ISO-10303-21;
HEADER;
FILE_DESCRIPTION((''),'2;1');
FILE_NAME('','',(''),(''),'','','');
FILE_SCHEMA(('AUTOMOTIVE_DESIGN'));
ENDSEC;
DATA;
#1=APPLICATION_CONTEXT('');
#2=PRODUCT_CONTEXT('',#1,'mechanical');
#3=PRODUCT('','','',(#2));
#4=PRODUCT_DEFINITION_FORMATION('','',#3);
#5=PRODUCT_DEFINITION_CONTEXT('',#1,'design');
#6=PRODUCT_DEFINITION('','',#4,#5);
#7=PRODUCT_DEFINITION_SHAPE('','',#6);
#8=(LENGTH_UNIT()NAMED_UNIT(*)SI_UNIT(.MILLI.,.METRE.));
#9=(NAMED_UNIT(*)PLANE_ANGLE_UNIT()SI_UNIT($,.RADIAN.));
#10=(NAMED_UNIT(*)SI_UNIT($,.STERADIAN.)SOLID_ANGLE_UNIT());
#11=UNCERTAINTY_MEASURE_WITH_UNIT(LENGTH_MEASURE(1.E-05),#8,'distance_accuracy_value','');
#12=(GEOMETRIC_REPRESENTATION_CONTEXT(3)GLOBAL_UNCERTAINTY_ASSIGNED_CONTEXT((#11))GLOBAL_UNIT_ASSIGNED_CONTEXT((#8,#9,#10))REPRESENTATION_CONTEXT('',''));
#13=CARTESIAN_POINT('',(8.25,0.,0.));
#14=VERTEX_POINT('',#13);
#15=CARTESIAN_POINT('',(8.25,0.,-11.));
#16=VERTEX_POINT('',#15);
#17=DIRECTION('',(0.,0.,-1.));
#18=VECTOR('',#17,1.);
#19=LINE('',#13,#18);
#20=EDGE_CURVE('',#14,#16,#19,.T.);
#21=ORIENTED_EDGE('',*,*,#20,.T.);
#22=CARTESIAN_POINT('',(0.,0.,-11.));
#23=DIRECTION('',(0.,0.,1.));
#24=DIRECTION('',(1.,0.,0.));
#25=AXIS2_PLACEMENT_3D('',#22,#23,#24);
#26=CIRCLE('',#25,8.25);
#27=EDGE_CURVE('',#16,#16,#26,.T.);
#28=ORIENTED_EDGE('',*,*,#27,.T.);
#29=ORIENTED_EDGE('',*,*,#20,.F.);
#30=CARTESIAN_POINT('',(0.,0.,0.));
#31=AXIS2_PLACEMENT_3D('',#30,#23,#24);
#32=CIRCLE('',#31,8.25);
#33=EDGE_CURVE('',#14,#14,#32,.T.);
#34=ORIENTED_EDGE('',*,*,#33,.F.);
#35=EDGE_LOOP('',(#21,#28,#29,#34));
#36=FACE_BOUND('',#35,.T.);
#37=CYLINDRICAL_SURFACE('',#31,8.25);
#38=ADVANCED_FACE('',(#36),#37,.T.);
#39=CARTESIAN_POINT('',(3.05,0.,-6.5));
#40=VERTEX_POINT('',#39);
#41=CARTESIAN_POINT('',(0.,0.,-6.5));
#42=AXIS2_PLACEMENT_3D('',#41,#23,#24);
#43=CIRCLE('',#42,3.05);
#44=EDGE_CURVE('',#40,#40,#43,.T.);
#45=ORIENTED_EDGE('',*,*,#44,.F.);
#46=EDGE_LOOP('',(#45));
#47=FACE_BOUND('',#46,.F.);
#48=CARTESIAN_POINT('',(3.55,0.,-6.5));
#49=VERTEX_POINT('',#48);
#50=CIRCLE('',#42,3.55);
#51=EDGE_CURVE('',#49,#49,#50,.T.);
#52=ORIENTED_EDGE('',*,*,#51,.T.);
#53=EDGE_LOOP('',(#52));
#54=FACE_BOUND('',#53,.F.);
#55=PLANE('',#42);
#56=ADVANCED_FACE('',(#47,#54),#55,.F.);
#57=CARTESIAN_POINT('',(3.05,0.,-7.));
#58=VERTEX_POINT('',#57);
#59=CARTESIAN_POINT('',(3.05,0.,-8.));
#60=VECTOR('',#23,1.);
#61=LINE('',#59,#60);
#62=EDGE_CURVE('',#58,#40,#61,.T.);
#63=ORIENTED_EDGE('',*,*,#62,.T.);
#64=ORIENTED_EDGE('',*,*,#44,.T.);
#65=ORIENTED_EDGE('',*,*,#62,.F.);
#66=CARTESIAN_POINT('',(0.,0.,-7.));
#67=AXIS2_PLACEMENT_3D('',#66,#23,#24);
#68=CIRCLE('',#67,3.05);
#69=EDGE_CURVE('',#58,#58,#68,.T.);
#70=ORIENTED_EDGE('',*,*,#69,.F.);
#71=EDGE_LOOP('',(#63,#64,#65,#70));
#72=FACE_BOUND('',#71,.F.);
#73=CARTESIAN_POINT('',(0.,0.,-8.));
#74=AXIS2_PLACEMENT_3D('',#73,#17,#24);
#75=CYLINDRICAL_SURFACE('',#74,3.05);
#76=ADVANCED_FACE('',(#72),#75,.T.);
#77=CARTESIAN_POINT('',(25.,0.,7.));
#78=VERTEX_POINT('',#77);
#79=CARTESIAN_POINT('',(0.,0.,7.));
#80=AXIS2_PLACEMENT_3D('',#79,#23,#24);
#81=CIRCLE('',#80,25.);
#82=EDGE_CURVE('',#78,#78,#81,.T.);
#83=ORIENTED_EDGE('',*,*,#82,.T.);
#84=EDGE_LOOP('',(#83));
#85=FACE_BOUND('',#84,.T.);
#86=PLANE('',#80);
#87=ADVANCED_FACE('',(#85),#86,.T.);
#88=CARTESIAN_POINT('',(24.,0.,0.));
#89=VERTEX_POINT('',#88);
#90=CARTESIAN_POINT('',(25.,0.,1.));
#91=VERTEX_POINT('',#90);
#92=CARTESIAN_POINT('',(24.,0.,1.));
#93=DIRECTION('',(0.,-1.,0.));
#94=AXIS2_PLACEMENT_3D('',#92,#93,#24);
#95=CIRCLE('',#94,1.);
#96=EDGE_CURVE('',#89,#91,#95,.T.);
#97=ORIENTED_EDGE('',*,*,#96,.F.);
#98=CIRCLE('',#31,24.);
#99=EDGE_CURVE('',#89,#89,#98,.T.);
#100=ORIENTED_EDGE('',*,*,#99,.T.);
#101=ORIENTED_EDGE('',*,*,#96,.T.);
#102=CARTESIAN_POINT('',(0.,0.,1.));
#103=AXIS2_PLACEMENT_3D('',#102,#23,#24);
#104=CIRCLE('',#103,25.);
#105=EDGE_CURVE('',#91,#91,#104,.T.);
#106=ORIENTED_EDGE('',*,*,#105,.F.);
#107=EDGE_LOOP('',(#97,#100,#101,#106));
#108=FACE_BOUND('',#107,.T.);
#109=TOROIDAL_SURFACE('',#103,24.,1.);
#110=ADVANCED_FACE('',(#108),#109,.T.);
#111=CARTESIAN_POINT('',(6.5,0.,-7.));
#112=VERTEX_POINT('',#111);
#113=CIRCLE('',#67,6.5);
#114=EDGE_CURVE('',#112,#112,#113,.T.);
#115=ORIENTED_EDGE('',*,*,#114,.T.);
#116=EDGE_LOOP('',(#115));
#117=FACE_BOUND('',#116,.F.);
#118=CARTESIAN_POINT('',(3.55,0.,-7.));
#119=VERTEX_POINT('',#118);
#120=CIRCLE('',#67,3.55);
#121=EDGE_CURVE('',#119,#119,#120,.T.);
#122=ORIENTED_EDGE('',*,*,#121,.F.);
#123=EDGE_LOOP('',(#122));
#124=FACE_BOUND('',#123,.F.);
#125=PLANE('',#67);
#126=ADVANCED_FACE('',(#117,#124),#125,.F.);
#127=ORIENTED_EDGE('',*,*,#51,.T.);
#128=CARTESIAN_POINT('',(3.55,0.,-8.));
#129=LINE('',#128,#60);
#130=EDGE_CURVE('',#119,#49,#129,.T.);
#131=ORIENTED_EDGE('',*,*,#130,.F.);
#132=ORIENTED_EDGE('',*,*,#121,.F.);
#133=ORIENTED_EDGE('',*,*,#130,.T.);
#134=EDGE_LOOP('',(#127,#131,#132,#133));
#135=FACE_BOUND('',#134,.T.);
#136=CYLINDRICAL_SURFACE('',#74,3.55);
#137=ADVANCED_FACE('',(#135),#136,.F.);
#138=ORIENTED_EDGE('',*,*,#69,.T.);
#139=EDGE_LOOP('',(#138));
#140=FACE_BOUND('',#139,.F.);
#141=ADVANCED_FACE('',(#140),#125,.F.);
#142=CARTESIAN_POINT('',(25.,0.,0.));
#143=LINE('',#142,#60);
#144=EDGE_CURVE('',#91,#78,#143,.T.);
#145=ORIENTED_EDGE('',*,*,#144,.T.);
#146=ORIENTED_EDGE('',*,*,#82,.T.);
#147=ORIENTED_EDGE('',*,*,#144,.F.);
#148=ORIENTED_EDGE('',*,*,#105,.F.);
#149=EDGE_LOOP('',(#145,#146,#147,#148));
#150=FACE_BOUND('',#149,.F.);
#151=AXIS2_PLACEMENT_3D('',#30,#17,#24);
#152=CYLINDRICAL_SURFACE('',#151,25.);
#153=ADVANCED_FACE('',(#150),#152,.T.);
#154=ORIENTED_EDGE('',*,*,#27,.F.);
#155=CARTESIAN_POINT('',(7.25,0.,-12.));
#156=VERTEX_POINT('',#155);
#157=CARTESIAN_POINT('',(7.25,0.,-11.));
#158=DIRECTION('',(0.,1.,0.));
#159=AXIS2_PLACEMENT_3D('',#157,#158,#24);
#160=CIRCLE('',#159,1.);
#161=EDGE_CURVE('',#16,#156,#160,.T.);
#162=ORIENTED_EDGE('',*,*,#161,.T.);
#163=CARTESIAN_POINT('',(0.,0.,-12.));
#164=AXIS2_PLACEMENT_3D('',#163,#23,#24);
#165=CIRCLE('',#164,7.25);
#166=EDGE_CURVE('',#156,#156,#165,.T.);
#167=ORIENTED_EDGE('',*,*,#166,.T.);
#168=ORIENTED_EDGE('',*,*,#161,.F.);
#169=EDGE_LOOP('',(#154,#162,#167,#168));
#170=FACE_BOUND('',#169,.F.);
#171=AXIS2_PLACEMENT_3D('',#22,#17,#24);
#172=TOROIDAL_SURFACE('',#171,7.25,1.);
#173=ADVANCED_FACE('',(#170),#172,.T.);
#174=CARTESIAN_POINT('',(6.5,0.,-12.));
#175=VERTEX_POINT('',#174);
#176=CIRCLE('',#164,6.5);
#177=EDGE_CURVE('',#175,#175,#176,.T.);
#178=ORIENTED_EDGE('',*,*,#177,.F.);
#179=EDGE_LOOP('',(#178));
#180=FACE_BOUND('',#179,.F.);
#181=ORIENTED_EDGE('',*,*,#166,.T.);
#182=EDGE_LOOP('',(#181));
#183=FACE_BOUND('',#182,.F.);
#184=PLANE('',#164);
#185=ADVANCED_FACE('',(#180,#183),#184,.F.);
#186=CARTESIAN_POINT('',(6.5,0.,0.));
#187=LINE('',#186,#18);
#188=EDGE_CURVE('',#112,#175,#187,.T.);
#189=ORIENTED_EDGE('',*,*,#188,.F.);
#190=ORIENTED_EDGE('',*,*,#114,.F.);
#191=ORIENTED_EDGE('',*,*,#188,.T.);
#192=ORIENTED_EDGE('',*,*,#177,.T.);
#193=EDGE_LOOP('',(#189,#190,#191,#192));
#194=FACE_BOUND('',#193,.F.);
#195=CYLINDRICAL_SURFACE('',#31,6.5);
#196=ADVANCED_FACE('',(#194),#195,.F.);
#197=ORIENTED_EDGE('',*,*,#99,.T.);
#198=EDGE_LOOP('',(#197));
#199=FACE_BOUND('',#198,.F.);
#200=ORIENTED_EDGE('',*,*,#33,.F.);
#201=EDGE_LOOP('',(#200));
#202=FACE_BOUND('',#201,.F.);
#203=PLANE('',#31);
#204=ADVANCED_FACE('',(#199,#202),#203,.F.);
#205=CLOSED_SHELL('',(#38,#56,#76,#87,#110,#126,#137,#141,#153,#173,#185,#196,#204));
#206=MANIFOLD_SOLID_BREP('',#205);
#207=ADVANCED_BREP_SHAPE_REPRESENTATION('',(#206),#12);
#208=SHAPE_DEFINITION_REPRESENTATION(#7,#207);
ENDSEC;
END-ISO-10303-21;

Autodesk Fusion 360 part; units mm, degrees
sketch "Sketch1" plane through (0, 0, 0) normal (0, 0, 1) x (1, 0, 0)
  circle A0 centre (0, 0) radius 8.25
  circle A1 centre (0, 0) radius 6.5
  circle A2 centre (0, 0) radius 3.05
  circle A3 centre (0, 0) radius 3.55
  circle A4 centre (0, 0) radius 25
  dimension "d1" = 16.5
  dimension "d2" = 13
  dimension "d7" = 6.1
  dimension "d8" = 7.1
  dimension "d9" = 50
extrude "Extrude1" add sketch "Sketch1" against normal blind 12 contours A0
extrude "Extrude2" add sketch "Sketch1" against normal blind 7 contours A1 | A2 | A3
extrude "Extrude3" add sketch "Sketch1" against normal blind 8 contours A3
extrude "Extrude4" cut 1 faces at (3.3701, -0.1764, -8) along direction (0, 0, 1) blind 1.5
extrude "Extrude5" add sketch "Sketch1" along normal blind 7 contours A0 | A1 | A2 | A3 | A4
fillet "Fillet1" radius 1 2 edges at (-7.6917, 2.9833, -12) (-23.3082, -9.0404, 0)
